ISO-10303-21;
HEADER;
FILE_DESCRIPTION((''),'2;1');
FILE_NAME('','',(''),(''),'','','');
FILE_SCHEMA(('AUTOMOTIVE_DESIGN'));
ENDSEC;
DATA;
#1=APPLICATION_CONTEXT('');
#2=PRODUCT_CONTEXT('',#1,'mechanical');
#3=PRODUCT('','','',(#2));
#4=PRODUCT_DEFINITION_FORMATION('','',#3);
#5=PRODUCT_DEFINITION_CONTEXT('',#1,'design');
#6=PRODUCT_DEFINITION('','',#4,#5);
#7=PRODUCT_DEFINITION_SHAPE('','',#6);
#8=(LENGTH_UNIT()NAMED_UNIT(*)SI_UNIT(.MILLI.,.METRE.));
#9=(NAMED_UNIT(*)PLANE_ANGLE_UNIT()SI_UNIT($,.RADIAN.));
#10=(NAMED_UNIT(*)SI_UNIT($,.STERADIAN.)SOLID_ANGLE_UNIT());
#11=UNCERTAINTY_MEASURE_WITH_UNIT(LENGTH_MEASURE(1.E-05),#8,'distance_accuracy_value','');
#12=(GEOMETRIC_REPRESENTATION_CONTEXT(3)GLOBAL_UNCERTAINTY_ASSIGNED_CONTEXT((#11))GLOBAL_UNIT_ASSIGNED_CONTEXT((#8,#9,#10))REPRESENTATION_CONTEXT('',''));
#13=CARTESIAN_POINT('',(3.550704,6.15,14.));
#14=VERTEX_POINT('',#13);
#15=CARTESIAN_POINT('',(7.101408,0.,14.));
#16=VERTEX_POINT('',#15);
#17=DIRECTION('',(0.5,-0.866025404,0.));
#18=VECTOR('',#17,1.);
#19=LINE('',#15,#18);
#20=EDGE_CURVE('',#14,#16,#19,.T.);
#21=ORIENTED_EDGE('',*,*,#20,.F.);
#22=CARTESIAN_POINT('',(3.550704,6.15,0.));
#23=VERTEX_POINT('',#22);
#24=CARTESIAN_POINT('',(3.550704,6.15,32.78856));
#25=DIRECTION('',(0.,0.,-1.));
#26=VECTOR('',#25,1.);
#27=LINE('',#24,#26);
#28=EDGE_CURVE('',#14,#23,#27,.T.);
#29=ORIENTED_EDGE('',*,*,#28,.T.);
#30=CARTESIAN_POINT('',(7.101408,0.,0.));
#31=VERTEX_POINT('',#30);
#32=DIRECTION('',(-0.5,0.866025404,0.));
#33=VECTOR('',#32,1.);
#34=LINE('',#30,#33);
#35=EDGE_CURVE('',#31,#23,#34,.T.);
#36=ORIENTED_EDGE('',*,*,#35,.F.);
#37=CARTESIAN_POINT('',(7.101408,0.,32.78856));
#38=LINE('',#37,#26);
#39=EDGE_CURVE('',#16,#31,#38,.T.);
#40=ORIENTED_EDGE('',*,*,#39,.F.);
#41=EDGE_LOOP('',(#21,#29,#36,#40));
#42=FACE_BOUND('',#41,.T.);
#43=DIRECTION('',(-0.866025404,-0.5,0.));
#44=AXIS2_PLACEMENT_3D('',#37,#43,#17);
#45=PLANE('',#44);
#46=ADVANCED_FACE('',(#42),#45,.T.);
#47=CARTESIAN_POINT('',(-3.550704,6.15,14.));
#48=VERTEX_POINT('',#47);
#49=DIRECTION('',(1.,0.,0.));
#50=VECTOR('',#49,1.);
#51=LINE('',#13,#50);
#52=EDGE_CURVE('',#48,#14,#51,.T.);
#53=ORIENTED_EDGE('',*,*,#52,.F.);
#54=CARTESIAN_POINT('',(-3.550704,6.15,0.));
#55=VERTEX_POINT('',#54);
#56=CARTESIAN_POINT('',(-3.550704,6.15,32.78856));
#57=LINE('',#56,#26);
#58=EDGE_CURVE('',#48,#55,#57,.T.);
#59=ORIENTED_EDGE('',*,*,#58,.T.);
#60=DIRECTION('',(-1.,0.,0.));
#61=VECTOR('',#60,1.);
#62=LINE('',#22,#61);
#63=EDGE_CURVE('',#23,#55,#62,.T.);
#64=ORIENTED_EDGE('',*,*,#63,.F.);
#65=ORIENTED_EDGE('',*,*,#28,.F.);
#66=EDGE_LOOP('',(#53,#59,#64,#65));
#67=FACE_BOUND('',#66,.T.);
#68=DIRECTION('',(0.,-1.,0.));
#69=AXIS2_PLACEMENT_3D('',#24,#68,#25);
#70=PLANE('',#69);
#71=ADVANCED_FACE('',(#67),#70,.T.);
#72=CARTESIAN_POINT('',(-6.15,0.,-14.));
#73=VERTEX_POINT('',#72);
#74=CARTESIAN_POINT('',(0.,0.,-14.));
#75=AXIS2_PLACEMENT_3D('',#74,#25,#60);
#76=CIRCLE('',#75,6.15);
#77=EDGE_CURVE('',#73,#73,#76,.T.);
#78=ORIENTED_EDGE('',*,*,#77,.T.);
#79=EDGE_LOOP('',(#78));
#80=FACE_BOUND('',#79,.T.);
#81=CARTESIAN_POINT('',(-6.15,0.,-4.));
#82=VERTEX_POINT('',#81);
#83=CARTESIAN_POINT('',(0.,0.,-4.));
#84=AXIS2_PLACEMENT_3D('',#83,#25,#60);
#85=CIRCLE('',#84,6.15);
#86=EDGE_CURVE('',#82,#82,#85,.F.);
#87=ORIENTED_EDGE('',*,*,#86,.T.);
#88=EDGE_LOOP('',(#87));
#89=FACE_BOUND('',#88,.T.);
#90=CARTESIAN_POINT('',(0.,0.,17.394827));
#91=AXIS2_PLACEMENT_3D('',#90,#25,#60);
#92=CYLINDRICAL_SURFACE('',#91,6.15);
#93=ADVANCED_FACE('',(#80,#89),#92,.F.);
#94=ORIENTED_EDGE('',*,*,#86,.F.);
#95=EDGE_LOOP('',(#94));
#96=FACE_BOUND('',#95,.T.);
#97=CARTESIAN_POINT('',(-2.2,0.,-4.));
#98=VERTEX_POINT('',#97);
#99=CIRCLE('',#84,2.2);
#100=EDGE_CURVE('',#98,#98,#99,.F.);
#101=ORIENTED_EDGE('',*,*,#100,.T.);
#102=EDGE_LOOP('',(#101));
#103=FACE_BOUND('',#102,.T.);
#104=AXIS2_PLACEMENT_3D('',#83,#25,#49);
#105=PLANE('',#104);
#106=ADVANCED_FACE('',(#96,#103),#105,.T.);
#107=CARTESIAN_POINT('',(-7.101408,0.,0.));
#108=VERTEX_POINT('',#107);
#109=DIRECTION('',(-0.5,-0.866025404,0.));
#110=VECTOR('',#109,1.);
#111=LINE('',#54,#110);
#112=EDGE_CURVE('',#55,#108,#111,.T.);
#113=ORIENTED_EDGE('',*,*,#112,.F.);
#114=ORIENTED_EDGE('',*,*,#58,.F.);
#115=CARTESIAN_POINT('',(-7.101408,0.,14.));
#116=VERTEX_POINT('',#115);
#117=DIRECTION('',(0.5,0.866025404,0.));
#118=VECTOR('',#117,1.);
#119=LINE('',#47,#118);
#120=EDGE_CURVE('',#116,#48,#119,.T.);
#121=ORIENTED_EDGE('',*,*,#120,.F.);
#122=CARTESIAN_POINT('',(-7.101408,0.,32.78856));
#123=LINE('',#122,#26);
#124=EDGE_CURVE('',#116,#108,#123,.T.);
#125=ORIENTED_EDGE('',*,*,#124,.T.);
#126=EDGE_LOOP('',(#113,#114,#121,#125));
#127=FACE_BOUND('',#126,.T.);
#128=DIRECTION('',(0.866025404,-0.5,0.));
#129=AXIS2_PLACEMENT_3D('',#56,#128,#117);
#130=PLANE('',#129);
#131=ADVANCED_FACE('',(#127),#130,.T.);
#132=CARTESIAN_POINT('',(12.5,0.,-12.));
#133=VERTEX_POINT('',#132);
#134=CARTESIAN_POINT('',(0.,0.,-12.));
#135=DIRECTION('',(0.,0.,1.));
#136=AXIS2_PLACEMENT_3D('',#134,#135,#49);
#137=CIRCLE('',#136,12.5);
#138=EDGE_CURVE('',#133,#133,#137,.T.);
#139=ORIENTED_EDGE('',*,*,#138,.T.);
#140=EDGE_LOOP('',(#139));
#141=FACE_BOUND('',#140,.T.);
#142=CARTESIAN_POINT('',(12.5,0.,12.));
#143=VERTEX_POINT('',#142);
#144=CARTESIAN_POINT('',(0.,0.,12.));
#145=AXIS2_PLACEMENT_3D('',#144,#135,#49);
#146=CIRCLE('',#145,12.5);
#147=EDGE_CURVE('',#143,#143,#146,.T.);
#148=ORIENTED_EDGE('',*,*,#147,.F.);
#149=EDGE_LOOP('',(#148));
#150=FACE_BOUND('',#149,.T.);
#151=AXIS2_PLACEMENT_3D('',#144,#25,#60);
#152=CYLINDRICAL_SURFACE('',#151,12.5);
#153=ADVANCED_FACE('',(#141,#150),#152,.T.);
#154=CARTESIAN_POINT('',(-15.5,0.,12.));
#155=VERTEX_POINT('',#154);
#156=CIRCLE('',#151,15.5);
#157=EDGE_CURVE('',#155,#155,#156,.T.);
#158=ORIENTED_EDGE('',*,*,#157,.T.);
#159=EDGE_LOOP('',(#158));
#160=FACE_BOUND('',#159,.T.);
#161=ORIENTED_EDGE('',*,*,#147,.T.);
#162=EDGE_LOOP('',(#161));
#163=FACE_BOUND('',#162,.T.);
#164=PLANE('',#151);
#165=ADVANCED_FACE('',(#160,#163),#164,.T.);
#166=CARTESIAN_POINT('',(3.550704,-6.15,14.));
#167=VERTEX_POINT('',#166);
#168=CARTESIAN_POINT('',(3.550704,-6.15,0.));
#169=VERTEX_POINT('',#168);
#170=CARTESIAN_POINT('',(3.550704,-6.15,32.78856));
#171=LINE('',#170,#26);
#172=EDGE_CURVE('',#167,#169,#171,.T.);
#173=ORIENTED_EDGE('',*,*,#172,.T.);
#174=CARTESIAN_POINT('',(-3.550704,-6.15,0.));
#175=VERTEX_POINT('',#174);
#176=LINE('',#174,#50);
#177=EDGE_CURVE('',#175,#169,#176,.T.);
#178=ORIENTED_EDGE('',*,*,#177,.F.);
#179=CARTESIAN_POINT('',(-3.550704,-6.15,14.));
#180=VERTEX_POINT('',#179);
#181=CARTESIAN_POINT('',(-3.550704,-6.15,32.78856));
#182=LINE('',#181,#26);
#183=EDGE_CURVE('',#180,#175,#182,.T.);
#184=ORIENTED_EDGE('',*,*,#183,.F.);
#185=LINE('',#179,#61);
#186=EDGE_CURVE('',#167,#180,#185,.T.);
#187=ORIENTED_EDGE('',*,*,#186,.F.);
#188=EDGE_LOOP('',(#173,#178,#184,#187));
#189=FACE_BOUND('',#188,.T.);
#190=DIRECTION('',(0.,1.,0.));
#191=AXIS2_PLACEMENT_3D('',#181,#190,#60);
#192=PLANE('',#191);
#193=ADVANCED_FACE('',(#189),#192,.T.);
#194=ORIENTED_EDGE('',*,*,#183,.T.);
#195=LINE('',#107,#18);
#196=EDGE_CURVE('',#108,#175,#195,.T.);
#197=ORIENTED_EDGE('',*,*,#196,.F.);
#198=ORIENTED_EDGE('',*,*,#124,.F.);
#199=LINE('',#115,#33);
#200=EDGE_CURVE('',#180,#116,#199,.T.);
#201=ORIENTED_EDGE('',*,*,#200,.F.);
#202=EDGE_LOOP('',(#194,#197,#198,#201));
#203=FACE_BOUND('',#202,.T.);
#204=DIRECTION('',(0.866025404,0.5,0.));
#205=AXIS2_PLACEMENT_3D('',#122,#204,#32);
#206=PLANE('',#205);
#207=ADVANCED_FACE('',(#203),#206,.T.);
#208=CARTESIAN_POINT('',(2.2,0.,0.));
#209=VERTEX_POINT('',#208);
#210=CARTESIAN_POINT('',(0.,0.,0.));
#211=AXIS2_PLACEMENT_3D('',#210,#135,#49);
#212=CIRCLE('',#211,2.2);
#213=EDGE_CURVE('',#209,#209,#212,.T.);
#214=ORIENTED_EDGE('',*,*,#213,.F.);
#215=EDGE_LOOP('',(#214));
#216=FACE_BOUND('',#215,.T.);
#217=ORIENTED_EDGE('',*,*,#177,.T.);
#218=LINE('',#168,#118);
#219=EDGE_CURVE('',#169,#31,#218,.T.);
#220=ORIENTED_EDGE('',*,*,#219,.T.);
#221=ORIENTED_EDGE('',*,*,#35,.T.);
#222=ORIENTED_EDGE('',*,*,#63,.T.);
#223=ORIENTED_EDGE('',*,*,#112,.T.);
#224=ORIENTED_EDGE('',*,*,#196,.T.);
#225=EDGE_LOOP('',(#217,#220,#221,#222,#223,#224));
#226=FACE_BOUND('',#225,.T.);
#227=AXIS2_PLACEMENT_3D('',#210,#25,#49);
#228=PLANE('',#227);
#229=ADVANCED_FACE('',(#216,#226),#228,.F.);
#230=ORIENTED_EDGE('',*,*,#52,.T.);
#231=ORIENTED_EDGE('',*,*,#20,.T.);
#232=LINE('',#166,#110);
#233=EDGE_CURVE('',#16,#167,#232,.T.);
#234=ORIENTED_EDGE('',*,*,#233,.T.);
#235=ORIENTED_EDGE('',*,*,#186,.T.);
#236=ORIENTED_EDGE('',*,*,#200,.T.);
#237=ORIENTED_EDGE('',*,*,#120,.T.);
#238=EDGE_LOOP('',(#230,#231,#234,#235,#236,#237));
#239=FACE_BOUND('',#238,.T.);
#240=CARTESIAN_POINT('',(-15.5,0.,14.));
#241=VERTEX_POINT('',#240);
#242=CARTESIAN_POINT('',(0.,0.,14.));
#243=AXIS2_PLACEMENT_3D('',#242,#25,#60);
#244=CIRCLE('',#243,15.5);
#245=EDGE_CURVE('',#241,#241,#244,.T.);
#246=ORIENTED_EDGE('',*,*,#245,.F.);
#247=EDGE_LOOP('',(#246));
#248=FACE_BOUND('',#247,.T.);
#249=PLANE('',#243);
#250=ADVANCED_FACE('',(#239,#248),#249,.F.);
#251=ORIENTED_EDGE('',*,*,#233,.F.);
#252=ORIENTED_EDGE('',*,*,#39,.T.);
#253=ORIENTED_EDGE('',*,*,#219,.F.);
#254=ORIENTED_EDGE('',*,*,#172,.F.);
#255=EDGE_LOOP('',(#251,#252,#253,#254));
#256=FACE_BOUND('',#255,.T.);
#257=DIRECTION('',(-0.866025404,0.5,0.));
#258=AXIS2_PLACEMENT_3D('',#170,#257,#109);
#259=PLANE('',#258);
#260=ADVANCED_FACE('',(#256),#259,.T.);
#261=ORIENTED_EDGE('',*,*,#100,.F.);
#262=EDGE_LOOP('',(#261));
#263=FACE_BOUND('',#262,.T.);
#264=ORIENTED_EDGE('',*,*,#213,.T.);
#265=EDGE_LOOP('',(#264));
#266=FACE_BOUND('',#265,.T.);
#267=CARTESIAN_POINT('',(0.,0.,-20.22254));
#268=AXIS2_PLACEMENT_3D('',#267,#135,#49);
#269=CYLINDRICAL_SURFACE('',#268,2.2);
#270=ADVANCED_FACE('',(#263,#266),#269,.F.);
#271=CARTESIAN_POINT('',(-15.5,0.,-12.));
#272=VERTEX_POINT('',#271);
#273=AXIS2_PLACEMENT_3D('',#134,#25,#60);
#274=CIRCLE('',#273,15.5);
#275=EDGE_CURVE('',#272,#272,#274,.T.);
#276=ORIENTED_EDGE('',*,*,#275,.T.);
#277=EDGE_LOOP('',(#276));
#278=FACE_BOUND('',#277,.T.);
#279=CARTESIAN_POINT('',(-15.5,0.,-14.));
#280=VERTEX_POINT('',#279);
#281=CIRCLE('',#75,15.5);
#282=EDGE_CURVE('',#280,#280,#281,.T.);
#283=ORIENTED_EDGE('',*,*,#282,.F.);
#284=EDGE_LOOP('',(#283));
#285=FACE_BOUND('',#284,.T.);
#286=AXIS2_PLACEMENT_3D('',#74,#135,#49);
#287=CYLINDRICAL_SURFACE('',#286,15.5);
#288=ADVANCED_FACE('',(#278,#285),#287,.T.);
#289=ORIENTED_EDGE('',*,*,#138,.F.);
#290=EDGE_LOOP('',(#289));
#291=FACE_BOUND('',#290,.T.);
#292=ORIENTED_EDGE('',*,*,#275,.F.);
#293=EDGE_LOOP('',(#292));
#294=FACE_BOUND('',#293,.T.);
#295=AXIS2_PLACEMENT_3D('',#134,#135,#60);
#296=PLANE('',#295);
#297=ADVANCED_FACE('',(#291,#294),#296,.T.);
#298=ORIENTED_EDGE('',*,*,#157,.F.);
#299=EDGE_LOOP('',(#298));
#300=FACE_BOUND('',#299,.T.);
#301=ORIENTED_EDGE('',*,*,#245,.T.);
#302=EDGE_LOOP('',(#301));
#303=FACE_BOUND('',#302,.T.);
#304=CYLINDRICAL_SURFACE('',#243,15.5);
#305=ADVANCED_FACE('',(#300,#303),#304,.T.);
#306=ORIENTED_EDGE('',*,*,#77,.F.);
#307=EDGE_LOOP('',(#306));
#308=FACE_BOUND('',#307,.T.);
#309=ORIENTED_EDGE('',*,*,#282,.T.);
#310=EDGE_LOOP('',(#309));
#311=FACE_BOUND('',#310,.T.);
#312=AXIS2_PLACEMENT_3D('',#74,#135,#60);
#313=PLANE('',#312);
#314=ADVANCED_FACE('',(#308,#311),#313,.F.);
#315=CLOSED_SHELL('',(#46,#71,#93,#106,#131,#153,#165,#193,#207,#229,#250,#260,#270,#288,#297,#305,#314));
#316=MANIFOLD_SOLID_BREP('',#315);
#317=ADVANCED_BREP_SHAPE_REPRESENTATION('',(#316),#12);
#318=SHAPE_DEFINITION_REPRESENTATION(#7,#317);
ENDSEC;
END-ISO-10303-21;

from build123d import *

# Parameters (mm, degrees)
SKETCH1_R           = 12.5
BOSS_EXTRUDE1_DEPTH = 12
SKETCH2_R           = 15.5
BOSS_EXTRUDE2_DEPTH = 2
CUT_EXTRUDE1_DEPTH  = 14
SKETCH5_R           = 2.2
CUT_EXTRUDE2_DEPTH  = 14
SKETCH6_R           = 6.15
CUT_EXTRUDE3_DEPTH  = 10


with BuildPart() as part:
    # Sketch1 → Boss-Extrude1 (new body)
    with BuildSketch(Plane.XY):
        Circle(SKETCH1_R)
    boss_extrude1 = extrude(amount=BOSS_EXTRUDE1_DEPTH)

    # Sketch2 → Boss-Extrude2 (add)
    with BuildSketch(Plane(origin=(0, 0, 12), x_dir=(-1, 0, 0), z_dir=(0, 0, -1))):
        Circle(SKETCH2_R)
    boss_extrude2 = extrude(amount=-BOSS_EXTRUDE2_DEPTH)

    # Sketch3 → Cut-Extrude1 (cut)
    with BuildSketch(Plane.XY):
        Polygon((3.550704156, -6.15), (7.101408311, 0), (3.550704156, 6.15), (-3.550704156, 6.15), (-7.101408311, 0), (-3.550704156, -6.15), align=None)
    extrude(amount=CUT_EXTRUDE1_DEPTH, mode=Mode.SUBTRACT)

    # Mirror1: Boss-Extrude1, Boss-Extrude2 across plane
    add(boss_extrude1.mirror(Plane.XY))
    add(boss_extrude2.mirror(Plane.XY))

    # Sketch5 → Cut-Extrude2 (cut)
    with BuildSketch(Plane.XY):
        Circle(SKETCH5_R)
    extrude(amount=-CUT_EXTRUDE2_DEPTH, mode=Mode.SUBTRACT)

    # Sketch6 → Cut-Extrude3 (cut)
    with BuildSketch(Plane(origin=(0, 0, -14), x_dir=(-1, 0, 0), z_dir=(0, 0, -1))):
        Circle(SKETCH6_R)
    extrude(amount=-CUT_EXTRUDE3_DEPTH, mode=Mode.SUBTRACT)


solid = part.part
